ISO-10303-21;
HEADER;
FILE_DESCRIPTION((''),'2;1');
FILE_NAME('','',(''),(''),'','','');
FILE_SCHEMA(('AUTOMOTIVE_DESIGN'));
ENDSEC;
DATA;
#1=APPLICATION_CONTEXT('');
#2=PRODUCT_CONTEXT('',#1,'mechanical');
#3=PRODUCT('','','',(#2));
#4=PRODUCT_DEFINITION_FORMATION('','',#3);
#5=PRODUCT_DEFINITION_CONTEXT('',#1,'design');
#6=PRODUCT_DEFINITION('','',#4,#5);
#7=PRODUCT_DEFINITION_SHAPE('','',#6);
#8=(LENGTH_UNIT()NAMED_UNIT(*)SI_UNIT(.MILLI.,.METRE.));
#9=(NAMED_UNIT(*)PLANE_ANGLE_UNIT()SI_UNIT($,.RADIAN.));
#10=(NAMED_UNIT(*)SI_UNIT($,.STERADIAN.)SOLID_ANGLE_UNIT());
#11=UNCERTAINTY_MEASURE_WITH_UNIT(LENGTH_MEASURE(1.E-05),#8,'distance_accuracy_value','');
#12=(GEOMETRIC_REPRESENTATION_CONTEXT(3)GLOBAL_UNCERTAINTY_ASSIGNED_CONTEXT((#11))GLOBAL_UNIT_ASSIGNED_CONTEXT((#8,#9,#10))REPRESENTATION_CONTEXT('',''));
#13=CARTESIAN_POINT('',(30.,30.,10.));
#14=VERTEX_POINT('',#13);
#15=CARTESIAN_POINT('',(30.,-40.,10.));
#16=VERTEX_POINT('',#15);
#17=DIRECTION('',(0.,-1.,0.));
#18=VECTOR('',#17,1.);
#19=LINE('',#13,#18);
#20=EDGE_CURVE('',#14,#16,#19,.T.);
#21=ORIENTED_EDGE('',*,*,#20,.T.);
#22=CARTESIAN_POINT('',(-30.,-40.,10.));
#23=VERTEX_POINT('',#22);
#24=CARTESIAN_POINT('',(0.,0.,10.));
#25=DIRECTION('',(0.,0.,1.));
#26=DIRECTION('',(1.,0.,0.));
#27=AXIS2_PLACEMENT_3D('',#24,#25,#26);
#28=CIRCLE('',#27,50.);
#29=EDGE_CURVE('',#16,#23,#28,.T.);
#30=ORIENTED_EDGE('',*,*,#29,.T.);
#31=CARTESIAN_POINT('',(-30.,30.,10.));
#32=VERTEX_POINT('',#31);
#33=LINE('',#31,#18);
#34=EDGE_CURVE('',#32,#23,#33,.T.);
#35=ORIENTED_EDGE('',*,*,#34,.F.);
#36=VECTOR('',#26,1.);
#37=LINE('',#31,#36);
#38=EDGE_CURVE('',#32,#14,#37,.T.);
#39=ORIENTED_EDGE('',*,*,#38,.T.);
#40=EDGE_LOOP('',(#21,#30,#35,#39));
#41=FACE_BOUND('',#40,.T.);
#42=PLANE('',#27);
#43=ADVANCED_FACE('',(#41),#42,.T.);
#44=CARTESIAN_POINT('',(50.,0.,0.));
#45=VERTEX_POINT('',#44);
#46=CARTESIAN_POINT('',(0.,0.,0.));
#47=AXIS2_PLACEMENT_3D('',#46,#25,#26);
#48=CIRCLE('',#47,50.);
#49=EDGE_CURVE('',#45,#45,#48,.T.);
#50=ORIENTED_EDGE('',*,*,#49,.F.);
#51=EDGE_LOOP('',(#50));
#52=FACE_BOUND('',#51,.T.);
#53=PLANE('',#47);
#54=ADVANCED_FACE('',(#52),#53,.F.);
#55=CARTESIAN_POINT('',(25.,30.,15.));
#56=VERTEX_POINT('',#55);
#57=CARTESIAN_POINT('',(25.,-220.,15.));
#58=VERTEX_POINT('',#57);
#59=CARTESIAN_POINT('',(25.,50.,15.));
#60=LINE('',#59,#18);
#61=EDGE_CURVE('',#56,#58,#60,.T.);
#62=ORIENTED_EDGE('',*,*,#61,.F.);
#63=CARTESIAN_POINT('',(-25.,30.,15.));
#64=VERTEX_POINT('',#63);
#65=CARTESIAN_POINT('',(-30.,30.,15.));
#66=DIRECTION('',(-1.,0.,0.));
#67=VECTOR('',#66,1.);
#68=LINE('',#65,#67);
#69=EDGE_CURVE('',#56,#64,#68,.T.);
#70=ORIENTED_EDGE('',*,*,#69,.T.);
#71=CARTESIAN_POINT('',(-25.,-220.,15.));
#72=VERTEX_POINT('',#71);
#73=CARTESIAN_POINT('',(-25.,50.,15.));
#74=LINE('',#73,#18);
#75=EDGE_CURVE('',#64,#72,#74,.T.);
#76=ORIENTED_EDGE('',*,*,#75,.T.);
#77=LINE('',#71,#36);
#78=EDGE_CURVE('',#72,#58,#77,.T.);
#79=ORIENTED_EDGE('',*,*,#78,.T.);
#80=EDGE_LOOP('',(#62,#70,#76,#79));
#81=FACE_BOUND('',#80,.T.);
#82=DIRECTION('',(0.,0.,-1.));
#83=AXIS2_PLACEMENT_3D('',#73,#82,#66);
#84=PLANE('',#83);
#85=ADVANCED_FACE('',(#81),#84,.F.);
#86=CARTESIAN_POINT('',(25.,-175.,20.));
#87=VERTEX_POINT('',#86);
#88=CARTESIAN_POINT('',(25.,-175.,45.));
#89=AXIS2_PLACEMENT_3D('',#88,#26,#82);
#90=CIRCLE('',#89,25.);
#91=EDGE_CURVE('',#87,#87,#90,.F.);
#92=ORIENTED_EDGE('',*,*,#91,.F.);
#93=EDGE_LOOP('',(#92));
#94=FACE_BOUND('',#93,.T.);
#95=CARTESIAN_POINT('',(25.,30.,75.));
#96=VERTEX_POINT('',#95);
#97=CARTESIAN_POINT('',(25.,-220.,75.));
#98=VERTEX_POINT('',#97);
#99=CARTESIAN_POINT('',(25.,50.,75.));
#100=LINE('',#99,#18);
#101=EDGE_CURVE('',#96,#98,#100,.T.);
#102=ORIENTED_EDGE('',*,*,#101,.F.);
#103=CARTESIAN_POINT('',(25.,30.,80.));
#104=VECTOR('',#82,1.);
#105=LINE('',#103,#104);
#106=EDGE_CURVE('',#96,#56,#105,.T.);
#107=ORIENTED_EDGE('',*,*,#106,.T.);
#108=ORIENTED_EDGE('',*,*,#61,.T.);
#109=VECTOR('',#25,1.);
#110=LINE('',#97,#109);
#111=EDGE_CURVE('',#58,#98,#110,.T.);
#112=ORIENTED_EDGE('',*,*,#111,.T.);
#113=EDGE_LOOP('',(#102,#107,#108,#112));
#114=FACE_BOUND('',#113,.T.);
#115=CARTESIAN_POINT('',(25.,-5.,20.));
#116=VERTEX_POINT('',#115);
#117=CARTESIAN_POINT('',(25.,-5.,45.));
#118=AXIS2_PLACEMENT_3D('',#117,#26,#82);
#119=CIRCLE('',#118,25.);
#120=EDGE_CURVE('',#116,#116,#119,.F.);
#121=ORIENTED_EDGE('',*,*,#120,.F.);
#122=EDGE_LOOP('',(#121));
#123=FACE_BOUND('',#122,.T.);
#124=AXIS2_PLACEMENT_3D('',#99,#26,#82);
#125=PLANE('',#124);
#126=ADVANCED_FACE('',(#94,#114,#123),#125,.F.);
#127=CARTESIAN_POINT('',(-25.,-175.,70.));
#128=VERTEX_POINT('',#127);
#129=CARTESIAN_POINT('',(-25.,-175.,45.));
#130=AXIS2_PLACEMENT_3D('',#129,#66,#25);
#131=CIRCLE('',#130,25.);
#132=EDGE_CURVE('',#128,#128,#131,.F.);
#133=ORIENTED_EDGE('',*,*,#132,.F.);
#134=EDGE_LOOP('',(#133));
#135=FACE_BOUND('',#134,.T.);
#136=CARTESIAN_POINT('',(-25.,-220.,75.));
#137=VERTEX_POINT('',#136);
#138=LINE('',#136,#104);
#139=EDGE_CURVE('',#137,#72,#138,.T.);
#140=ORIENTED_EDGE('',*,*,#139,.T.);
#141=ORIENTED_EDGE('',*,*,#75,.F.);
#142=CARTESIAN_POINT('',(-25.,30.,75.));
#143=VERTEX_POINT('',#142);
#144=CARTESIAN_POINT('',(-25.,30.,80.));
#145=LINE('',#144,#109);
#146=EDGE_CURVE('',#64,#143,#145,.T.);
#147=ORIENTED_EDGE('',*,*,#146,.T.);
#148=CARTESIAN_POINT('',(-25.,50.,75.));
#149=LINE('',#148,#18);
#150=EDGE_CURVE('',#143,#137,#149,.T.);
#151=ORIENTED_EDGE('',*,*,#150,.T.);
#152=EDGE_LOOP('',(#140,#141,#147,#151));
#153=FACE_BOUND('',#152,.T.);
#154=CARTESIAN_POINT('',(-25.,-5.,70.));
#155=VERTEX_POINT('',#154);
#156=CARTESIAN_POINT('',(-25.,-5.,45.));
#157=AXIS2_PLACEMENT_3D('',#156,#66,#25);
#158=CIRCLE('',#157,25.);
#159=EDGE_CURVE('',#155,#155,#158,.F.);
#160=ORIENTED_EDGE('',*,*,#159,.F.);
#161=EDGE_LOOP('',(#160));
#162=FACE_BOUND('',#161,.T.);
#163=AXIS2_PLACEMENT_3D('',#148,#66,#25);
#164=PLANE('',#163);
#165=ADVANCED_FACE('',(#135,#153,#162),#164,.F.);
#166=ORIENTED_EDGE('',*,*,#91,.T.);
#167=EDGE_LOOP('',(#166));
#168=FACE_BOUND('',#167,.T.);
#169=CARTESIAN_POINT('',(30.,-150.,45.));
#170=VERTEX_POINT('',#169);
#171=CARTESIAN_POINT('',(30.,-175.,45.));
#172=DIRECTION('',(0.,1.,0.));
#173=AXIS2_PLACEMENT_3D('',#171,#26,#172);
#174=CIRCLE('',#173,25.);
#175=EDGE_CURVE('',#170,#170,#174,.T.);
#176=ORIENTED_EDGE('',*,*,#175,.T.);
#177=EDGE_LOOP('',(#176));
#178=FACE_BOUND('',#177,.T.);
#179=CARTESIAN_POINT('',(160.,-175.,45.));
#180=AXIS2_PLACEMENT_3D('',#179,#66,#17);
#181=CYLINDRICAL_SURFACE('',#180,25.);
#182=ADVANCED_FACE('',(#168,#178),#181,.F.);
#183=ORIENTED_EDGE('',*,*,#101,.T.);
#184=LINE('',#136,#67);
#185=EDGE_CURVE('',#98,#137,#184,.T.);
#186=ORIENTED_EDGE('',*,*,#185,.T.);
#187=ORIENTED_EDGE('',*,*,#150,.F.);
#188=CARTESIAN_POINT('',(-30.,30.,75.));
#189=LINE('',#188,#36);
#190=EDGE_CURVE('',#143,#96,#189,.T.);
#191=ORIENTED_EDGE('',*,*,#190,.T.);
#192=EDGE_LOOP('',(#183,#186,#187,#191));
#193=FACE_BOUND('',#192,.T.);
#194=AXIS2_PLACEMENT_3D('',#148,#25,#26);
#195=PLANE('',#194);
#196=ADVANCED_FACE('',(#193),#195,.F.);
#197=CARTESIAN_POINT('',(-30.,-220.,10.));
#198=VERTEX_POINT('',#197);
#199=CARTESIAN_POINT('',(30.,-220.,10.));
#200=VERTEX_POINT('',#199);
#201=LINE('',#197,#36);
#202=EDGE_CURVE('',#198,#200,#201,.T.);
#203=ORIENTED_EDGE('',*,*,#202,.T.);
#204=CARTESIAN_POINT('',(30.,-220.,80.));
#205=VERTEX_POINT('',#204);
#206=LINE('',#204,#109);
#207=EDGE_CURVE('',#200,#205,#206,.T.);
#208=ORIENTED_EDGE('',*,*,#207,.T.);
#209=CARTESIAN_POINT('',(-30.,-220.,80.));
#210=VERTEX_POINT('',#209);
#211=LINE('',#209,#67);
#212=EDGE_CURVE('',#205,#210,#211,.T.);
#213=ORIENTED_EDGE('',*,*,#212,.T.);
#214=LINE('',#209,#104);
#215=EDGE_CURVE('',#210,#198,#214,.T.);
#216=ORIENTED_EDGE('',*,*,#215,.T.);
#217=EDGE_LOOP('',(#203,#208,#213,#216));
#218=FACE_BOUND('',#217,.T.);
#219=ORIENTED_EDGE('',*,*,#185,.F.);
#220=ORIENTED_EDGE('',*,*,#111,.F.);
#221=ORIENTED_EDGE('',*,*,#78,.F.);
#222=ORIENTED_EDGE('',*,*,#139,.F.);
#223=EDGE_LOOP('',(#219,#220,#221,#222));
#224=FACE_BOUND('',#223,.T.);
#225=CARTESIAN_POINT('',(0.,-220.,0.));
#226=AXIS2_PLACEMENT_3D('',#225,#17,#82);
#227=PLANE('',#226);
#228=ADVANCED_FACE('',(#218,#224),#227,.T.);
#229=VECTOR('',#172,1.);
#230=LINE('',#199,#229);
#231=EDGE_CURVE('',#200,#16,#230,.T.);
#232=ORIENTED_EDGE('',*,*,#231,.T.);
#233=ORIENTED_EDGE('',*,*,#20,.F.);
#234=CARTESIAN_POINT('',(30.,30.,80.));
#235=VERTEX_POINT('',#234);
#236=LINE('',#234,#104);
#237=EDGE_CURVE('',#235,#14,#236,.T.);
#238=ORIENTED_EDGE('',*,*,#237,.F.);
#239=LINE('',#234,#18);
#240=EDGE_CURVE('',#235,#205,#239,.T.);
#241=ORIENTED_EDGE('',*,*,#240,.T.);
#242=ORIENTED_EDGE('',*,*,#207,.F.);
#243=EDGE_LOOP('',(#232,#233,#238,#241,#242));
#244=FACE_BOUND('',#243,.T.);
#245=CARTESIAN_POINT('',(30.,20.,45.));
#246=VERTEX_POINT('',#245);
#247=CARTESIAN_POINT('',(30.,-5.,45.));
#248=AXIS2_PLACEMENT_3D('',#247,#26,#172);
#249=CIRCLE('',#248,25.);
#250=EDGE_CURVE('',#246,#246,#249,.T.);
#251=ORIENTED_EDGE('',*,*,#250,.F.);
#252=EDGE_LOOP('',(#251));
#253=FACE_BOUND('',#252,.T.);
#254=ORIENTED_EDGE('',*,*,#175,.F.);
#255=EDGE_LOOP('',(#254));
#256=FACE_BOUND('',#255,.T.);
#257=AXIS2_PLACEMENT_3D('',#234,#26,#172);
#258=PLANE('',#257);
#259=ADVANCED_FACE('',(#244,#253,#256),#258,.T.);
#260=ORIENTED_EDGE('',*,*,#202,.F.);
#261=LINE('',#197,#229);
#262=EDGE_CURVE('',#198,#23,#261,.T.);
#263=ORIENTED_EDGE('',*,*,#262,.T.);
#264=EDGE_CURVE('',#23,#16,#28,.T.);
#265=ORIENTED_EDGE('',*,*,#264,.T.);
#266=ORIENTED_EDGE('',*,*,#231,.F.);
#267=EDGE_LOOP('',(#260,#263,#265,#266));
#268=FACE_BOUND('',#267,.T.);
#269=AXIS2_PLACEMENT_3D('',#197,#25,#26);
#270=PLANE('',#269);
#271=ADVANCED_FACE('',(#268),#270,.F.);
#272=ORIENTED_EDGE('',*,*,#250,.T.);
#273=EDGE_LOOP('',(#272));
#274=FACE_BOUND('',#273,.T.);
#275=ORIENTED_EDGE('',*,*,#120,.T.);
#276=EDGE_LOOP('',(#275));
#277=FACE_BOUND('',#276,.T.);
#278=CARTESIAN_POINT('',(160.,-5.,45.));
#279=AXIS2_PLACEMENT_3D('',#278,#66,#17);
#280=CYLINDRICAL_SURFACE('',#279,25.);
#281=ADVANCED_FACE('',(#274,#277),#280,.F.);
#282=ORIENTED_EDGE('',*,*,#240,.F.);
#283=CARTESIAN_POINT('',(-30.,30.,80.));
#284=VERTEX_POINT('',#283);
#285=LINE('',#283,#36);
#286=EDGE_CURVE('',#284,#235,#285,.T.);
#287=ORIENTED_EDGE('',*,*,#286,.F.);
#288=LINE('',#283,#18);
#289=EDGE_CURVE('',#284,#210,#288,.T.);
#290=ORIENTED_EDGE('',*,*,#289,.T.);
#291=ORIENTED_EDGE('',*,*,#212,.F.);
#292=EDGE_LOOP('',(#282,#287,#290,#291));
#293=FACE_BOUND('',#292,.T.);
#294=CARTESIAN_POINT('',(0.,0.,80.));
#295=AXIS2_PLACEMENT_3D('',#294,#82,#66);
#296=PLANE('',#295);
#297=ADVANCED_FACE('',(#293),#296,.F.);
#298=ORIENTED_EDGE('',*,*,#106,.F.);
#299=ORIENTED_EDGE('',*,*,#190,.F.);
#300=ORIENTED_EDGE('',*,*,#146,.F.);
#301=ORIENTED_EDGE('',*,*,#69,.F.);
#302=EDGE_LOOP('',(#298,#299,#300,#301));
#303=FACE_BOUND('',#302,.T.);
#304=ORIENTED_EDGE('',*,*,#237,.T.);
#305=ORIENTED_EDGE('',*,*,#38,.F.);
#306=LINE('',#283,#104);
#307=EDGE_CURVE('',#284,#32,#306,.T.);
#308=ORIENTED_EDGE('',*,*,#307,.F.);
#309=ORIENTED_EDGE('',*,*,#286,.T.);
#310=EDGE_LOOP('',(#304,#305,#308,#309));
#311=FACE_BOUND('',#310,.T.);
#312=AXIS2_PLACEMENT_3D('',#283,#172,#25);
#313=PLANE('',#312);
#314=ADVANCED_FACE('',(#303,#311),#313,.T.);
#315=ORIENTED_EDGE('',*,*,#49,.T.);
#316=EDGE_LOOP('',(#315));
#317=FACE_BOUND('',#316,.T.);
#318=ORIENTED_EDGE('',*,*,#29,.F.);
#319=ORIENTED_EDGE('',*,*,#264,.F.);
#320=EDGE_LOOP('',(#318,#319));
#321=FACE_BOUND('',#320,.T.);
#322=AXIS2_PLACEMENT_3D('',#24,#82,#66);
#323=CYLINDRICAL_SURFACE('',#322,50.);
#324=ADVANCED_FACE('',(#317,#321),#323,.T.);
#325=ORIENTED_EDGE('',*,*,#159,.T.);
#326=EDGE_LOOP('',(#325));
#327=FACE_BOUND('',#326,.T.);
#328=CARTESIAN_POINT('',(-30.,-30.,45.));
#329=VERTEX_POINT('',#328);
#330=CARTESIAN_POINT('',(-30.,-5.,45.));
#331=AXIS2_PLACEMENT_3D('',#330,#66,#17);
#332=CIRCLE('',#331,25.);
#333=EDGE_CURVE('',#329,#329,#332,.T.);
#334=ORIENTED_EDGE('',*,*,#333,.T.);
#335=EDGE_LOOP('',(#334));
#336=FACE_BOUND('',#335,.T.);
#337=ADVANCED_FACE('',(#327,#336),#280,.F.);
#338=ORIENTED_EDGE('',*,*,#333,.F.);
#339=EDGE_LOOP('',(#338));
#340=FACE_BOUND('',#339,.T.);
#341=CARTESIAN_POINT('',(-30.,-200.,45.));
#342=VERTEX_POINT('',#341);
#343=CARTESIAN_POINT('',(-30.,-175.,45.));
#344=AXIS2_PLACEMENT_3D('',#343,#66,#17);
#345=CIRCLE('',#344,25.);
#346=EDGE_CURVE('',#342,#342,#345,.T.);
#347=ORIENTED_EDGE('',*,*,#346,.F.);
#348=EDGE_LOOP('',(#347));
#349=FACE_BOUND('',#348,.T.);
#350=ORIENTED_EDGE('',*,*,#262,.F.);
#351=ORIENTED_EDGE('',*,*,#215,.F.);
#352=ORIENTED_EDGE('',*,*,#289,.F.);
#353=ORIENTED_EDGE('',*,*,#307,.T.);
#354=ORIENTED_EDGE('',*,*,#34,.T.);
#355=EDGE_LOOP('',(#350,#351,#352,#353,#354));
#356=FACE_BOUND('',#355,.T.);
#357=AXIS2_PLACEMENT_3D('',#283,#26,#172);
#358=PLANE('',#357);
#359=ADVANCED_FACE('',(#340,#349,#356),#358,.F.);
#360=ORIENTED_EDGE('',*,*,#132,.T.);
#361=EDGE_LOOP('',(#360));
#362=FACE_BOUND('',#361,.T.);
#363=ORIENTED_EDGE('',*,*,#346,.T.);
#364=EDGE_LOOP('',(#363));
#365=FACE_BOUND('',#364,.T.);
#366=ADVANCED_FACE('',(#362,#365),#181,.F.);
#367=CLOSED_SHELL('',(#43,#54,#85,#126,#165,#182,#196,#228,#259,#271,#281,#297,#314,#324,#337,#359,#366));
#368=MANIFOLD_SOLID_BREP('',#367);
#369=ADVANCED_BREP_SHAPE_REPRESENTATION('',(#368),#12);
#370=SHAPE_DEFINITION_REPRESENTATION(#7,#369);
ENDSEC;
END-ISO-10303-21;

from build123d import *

# Parameters (mm, degrees)
SKETCH_1_R          = 50
EXTRUDE_1_DEPTH     = 10
SKETCH_3_W          = 60
SKETCH_3_H          = 60
EXTRUDE_2_DEPTH     = 70
SKETCH_4_W          = 60
SKETCH_4_H          = 70
EXTRUDE_3_DEPTH     = 190
SKETCH_5_R          = 25
CUT_EXTRUDE_4_DEPTH = 190
SKETCH_6_W          = 50
SKETCH_6_H          = 60
CUT_EXTRUDE_5_DEPTH = 287.006992922


with BuildPart() as part:
    # 草图1 → 凸台-拉伸1 (new body)
    with BuildSketch(Plane.XY):
        Circle(SKETCH_1_R)
    extrude(amount=EXTRUDE_1_DEPTH)

    # 草图3 → 凸台-拉伸2 (add)
    with BuildSketch(Plane.XY.offset(10)):
        Rectangle(SKETCH_3_W, SKETCH_3_H)
    extrude(amount=EXTRUDE_2_DEPTH)

    # 草图4 → 凸台-拉伸3 (add)
    with BuildSketch(Plane.XZ.offset(30)):
        with Locations((0, 45)):
            Rectangle(SKETCH_4_W, SKETCH_4_H)
    extrude(amount=EXTRUDE_3_DEPTH)

    # 草图5 → 切除-拉伸4 (cut)
    with BuildSketch(Plane.ZY.offset(30)):
        with Locations(Location((45, -5, 0), (0, 0, 270))):
            Circle(SKETCH_5_R)
        with Locations(Location((45, -175, 0), (0, 0, 270))):
            Circle(SKETCH_5_R)
    extrude(amount=-CUT_EXTRUDE_4_DEPTH, mode=Mode.SUBTRACT)

    # 草图6 → 切除-拉伸5 (cut, through all)
    with BuildSketch(Plane.XZ.offset(220)):
        with Locations((0, 45)):
            Rectangle(SKETCH_6_W, SKETCH_6_H)
    extrude(amount=-CUT_EXTRUDE_5_DEPTH, mode=Mode.SUBTRACT)


solid = part.part
